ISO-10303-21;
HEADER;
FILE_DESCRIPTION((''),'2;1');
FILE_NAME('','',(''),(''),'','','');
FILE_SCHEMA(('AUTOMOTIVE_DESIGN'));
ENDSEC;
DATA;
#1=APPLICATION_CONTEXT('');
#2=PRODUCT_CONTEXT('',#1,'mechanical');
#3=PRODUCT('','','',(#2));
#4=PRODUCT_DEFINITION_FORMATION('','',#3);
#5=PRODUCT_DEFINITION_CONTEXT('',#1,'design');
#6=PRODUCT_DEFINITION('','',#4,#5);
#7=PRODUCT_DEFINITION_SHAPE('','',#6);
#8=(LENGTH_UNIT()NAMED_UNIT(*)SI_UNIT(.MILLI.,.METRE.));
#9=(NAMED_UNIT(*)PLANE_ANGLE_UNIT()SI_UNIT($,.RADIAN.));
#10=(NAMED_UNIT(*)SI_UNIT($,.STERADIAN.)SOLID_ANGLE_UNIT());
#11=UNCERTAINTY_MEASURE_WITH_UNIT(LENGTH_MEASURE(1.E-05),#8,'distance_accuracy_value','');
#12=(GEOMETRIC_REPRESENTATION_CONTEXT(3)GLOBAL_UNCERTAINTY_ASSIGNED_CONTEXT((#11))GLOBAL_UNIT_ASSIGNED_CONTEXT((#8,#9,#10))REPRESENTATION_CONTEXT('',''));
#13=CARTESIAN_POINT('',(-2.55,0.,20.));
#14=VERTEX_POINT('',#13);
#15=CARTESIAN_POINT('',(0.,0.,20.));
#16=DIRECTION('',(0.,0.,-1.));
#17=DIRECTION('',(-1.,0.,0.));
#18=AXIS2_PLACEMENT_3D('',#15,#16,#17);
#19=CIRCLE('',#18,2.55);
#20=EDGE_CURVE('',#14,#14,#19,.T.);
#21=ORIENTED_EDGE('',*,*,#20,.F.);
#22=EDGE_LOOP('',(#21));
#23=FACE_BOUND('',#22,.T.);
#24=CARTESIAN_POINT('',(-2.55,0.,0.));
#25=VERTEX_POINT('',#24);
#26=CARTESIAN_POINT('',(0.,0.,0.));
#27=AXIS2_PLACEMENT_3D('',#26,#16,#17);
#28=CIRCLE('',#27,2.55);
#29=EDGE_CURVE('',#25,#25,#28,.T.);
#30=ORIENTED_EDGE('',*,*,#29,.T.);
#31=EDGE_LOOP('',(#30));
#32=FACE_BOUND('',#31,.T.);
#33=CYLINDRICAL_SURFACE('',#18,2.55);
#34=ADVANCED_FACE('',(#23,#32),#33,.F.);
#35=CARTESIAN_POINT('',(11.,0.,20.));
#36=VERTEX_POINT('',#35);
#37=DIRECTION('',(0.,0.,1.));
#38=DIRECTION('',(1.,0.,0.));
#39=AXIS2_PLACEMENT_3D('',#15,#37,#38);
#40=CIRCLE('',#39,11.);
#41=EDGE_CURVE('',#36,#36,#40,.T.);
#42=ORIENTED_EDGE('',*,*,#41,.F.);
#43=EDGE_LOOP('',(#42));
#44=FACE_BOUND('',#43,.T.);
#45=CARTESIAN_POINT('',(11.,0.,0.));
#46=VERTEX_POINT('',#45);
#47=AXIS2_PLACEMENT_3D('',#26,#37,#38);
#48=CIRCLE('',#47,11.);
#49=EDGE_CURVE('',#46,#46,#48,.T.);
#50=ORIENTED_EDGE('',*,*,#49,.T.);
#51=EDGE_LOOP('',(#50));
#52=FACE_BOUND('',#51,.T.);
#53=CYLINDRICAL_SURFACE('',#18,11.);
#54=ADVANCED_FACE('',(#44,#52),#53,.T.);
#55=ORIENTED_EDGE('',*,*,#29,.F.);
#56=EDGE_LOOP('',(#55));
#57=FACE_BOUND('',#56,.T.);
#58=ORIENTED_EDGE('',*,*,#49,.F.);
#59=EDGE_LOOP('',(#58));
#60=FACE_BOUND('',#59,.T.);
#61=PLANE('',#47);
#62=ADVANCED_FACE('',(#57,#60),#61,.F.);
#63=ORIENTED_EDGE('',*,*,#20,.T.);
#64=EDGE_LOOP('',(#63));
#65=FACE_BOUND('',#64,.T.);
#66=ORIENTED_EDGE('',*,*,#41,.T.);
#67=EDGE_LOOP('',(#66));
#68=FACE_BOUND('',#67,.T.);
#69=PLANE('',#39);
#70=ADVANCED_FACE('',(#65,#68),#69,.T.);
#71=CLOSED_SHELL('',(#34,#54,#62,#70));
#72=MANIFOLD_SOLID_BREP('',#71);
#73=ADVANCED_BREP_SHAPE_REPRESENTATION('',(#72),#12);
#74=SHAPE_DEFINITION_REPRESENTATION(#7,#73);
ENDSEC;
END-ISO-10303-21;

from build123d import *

# Parameters (mm, degrees)
SKETCH1_R           = 11
BOSS_EXTRUDE1_DEPTH = 20
SKETCH2_R           = 2.55
CUT_EXTRUDE1_DEPTH  = 20


with BuildPart() as part:
    # Sketch1 → Boss-Extrude1 (new body)
    with BuildSketch(Plane.XY):
        Circle(SKETCH1_R)
    extrude(amount=BOSS_EXTRUDE1_DEPTH)

    # Sketch2 → Cut-Extrude1 (cut)
    with BuildSketch(Plane(origin=(0, 0, 0), x_dir=(-1, 0, 0), z_dir=(0, 0, -1))):
        Circle(SKETCH2_R)
    extrude(amount=-CUT_EXTRUDE1_DEPTH, mode=Mode.SUBTRACT)


solid = part.part
